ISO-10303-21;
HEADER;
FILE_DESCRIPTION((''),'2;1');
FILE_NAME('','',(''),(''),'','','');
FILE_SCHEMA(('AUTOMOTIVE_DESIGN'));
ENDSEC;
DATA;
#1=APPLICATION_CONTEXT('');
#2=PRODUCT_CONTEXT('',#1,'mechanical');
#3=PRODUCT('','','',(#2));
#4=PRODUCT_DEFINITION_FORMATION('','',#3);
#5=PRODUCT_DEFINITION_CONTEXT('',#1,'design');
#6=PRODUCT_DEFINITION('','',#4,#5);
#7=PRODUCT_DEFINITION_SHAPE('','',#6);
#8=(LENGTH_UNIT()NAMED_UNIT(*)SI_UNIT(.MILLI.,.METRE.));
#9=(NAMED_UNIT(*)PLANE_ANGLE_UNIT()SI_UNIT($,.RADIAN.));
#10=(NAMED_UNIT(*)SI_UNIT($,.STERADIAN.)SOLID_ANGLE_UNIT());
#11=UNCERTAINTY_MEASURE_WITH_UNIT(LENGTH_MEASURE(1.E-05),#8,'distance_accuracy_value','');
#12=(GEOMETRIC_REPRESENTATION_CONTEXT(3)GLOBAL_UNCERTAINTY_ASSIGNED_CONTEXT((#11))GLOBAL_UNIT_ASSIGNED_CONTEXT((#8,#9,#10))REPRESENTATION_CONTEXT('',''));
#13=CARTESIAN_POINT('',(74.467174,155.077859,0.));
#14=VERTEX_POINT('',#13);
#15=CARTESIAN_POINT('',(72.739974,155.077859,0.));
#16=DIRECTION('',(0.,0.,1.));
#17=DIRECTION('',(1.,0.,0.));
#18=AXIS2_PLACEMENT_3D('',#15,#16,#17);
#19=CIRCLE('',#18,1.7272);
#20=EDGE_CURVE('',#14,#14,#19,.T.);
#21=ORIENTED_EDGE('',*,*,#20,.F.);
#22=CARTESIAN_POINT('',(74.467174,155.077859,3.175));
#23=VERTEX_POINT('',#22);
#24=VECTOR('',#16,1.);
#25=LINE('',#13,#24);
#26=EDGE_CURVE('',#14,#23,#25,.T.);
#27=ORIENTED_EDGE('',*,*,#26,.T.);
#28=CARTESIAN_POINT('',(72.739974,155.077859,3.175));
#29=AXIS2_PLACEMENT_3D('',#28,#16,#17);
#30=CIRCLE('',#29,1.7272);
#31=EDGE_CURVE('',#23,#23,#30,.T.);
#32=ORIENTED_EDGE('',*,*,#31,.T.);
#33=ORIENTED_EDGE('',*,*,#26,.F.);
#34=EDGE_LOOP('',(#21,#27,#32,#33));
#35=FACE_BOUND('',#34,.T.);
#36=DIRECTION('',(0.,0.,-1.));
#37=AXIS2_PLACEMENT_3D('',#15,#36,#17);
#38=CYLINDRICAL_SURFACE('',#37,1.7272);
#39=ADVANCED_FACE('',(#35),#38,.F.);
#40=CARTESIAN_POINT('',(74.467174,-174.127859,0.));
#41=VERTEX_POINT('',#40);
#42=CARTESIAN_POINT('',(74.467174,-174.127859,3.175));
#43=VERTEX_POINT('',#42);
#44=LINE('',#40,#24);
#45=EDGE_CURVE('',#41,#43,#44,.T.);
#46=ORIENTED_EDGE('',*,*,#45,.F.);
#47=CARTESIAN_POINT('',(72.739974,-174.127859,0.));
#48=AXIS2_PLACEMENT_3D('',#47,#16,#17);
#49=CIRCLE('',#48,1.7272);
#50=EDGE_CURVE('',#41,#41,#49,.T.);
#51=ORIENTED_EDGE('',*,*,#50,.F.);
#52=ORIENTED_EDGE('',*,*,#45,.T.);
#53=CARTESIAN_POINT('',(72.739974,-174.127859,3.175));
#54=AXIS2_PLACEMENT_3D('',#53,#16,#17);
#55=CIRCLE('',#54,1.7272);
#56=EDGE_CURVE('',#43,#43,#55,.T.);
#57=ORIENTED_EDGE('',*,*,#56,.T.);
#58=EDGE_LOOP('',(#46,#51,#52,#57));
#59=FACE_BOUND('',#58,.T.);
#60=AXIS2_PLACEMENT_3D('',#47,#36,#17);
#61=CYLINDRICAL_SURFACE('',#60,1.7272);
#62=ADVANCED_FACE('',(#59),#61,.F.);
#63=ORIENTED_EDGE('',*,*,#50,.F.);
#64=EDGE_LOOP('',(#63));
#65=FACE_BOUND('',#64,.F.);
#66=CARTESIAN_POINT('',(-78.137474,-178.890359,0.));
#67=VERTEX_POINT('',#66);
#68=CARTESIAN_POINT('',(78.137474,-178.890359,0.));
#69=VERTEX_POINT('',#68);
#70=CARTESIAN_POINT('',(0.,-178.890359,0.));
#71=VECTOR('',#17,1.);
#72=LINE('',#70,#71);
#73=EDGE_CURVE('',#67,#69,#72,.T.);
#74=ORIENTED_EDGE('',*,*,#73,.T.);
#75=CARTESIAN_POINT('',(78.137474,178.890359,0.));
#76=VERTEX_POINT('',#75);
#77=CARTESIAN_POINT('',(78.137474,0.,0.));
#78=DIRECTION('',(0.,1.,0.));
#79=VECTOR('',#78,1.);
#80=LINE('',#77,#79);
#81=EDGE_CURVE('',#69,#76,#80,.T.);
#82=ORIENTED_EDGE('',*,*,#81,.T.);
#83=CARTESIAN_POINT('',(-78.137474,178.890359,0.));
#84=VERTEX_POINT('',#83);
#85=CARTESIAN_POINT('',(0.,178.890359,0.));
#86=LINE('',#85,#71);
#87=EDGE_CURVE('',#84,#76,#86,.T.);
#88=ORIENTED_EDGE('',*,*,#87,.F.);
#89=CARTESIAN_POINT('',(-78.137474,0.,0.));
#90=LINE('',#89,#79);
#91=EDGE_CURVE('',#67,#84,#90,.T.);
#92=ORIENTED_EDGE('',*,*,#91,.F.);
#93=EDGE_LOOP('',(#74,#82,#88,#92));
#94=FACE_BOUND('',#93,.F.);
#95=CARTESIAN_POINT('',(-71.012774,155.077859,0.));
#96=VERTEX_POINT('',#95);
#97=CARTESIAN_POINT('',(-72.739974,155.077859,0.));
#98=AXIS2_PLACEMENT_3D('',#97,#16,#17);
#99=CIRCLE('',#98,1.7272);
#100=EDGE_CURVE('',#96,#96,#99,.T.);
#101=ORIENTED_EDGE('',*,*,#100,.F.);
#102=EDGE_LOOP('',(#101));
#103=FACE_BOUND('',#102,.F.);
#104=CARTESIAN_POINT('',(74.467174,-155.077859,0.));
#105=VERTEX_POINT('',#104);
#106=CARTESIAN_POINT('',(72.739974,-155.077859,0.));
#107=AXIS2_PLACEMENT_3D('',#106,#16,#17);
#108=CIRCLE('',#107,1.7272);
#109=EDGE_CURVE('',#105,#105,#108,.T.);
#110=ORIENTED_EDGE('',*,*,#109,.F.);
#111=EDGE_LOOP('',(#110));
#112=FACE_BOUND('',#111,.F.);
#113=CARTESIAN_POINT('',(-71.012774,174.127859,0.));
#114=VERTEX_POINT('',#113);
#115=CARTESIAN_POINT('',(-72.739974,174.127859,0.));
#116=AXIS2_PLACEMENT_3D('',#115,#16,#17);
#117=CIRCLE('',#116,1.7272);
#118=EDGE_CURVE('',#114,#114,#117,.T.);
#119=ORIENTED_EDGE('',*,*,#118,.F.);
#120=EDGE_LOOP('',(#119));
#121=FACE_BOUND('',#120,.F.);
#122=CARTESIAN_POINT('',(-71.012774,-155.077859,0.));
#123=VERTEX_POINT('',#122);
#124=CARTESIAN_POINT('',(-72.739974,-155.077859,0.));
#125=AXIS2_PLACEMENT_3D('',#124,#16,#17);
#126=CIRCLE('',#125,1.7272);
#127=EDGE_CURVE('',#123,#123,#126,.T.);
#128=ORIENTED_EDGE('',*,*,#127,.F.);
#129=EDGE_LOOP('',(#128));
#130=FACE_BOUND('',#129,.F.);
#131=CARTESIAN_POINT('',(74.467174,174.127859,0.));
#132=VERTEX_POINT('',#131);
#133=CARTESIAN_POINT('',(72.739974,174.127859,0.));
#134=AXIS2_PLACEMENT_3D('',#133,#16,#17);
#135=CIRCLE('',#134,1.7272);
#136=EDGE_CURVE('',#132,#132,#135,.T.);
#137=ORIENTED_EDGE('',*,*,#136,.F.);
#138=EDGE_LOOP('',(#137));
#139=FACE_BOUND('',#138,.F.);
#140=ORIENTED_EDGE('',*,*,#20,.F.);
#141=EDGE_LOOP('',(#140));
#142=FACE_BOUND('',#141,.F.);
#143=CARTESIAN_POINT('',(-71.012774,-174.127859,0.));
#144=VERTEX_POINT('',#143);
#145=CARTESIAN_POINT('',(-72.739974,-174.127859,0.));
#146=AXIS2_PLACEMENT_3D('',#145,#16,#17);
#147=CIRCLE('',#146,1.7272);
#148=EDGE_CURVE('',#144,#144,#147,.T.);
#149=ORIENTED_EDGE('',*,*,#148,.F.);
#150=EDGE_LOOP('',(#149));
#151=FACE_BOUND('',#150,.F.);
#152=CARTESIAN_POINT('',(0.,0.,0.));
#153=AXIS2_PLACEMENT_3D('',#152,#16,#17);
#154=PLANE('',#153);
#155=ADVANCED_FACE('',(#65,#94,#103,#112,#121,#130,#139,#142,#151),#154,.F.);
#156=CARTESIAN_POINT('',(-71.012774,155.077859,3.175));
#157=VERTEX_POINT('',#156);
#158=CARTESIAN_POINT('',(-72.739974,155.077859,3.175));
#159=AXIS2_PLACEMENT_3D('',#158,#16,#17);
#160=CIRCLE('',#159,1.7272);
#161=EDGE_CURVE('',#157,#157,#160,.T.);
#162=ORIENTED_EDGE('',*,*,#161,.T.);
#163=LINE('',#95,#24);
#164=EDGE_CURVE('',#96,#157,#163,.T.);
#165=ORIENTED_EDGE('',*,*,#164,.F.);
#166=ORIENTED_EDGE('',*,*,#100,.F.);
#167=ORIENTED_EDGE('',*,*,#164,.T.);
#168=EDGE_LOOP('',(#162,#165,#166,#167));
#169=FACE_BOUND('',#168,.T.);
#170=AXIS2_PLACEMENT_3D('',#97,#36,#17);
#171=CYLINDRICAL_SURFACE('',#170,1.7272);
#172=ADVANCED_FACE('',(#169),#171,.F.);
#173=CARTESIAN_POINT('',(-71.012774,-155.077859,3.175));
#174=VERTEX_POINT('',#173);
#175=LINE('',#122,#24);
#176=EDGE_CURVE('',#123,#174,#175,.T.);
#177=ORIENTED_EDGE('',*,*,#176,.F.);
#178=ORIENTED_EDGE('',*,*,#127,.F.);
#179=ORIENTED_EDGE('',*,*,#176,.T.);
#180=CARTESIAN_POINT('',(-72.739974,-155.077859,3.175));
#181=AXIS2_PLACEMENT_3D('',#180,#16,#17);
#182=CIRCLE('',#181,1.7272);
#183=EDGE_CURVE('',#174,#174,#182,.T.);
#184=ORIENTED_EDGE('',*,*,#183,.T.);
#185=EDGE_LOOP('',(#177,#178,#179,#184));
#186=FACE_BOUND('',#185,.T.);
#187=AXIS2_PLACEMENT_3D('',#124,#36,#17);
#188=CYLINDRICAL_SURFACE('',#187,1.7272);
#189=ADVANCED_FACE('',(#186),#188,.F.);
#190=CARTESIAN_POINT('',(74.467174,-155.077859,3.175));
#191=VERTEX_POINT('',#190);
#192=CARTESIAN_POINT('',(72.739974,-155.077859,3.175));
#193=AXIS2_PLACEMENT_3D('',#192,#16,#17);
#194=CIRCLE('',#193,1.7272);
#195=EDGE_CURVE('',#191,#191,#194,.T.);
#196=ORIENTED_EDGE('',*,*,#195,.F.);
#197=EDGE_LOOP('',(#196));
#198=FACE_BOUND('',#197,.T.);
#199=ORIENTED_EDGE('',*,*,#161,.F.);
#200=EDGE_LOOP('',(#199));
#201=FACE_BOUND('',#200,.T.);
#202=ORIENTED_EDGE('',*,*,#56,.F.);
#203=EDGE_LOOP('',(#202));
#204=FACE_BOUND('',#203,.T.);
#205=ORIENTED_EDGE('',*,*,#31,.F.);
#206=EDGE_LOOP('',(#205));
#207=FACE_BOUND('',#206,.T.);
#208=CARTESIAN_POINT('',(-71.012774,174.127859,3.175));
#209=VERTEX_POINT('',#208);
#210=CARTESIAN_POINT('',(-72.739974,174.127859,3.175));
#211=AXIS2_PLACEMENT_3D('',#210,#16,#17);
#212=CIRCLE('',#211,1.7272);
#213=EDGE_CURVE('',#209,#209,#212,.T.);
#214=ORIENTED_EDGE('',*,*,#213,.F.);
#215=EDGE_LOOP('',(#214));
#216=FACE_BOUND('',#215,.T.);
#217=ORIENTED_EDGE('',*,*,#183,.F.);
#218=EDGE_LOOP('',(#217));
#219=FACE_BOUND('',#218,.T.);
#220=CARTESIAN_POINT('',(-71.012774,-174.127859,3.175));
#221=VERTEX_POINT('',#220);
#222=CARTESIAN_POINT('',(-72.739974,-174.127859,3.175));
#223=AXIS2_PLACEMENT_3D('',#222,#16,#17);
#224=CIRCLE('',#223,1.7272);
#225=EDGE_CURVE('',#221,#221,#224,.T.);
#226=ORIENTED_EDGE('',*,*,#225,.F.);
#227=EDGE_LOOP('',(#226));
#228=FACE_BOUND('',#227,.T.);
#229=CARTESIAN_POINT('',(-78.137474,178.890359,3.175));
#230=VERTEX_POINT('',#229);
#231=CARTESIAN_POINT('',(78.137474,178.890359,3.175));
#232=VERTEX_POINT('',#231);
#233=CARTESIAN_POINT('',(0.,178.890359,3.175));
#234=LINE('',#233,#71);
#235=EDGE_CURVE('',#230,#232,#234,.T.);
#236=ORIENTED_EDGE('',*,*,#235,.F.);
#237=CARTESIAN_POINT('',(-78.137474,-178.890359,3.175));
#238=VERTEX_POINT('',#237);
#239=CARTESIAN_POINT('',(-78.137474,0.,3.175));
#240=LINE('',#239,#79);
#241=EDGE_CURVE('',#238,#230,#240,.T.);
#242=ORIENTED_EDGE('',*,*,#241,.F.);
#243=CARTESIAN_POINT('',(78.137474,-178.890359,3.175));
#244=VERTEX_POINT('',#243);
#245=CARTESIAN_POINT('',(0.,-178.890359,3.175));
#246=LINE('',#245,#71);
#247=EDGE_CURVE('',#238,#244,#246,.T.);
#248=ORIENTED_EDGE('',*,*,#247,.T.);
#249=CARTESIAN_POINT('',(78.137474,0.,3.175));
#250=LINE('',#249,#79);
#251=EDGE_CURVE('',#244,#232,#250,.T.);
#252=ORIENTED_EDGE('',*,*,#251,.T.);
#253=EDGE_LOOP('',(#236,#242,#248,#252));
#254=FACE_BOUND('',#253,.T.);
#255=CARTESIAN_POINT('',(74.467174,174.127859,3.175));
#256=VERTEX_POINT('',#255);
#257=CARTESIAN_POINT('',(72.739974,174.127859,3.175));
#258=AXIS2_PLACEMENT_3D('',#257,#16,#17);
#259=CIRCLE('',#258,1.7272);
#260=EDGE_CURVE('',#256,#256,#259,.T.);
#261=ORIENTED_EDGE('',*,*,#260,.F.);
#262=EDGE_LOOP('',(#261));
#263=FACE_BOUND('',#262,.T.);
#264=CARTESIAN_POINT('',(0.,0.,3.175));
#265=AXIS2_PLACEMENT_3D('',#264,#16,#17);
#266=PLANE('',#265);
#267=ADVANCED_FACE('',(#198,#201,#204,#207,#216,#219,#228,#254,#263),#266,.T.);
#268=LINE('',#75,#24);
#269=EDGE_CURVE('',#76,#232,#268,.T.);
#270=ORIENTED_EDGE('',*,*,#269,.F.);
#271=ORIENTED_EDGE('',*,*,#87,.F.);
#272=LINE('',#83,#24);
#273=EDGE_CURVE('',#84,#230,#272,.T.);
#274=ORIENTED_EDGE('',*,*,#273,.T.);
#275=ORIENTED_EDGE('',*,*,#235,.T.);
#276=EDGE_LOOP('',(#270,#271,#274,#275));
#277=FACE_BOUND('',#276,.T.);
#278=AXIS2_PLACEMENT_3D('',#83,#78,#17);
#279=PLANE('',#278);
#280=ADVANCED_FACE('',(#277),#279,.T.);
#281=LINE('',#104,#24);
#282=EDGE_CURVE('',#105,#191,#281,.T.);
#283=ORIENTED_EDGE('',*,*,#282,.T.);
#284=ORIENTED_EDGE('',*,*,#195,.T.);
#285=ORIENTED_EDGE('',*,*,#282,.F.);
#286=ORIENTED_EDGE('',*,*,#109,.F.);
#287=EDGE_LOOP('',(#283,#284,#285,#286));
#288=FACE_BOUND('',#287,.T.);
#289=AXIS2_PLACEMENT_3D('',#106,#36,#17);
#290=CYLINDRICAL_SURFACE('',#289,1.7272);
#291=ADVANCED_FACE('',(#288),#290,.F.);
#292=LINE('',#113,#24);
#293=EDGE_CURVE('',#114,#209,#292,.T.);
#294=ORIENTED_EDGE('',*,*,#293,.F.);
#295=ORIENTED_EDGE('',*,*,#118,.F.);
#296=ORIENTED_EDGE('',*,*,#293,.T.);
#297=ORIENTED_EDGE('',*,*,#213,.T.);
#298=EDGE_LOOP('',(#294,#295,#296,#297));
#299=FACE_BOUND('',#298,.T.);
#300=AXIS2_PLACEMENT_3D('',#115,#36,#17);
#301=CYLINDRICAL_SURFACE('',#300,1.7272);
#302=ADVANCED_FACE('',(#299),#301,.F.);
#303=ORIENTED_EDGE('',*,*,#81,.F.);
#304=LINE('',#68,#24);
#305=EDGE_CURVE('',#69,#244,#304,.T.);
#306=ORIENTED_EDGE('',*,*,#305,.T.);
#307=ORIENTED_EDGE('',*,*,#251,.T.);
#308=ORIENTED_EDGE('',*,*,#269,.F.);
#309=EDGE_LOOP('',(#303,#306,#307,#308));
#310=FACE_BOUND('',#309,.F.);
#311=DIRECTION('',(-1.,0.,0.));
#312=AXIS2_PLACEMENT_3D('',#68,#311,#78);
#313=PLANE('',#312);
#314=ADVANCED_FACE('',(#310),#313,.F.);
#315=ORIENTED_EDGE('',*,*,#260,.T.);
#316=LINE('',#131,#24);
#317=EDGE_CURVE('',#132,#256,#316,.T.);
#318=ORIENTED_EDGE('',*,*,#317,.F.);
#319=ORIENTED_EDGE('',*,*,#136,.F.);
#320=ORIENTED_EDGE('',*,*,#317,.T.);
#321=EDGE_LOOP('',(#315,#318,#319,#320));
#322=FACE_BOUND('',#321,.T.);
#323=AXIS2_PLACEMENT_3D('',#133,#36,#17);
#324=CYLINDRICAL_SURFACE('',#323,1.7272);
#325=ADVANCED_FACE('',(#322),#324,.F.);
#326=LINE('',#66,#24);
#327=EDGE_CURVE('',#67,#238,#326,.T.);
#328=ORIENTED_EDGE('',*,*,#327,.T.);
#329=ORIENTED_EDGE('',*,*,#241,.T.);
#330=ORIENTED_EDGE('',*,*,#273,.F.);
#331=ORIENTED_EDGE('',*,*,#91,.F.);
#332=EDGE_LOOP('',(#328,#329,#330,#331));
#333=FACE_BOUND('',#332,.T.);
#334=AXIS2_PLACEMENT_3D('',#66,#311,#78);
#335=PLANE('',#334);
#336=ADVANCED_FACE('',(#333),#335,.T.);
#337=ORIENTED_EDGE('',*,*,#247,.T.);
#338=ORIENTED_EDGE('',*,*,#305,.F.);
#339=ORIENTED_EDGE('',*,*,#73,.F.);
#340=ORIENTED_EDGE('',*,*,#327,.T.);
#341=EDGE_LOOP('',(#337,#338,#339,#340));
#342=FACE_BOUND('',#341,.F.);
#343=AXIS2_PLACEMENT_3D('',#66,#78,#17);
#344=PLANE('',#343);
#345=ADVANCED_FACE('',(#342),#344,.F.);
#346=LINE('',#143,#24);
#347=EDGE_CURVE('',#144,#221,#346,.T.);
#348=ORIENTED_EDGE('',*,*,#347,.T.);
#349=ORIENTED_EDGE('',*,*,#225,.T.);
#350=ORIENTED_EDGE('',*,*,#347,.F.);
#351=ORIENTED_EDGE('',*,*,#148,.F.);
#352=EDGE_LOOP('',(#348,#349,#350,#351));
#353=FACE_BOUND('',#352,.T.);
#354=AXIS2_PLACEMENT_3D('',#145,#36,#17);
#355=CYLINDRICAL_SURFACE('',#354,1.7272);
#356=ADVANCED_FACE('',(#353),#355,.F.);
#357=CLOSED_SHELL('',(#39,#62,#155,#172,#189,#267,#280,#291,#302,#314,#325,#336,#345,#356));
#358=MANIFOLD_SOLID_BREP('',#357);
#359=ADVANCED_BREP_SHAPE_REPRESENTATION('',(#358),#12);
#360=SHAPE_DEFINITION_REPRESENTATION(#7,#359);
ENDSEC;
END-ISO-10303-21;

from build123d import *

# Parameters (mm, degrees)
F0_W     = 156.274948
F0_H     = 357.780718
F0_R     = 1.7272
F1_DEPTH = 3.175


with BuildPart() as f1:
    # F0 (on Top) → F1 (new body)
    with BuildSketch(Plane.XY):
        Rectangle(F0_W, F0_H)
        with Locations((-72.739974, -174.127859)):
            Circle(F0_R, mode=Mode.SUBTRACT)
        with Locations((-72.739974, -155.077859)):
            Circle(F0_R, mode=Mode.SUBTRACT)
        with Locations((72.739974, -174.127859)):
            Circle(F0_R, mode=Mode.SUBTRACT)
        with Locations((72.739974, -155.077859)):
            Circle(F0_R, mode=Mode.SUBTRACT)
        with Locations((-72.739974, 155.077859)):
            Circle(F0_R, mode=Mode.SUBTRACT)
        with Locations((-72.739974, 174.127859)):
            Circle(F0_R, mode=Mode.SUBTRACT)
        with Locations((72.739974, 155.077859)):
            Circle(F0_R, mode=Mode.SUBTRACT)
        with Locations((72.739974, 174.127859)):
            Circle(F0_R, mode=Mode.SUBTRACT)
    extrude(amount=F1_DEPTH)


solid = f1.part
